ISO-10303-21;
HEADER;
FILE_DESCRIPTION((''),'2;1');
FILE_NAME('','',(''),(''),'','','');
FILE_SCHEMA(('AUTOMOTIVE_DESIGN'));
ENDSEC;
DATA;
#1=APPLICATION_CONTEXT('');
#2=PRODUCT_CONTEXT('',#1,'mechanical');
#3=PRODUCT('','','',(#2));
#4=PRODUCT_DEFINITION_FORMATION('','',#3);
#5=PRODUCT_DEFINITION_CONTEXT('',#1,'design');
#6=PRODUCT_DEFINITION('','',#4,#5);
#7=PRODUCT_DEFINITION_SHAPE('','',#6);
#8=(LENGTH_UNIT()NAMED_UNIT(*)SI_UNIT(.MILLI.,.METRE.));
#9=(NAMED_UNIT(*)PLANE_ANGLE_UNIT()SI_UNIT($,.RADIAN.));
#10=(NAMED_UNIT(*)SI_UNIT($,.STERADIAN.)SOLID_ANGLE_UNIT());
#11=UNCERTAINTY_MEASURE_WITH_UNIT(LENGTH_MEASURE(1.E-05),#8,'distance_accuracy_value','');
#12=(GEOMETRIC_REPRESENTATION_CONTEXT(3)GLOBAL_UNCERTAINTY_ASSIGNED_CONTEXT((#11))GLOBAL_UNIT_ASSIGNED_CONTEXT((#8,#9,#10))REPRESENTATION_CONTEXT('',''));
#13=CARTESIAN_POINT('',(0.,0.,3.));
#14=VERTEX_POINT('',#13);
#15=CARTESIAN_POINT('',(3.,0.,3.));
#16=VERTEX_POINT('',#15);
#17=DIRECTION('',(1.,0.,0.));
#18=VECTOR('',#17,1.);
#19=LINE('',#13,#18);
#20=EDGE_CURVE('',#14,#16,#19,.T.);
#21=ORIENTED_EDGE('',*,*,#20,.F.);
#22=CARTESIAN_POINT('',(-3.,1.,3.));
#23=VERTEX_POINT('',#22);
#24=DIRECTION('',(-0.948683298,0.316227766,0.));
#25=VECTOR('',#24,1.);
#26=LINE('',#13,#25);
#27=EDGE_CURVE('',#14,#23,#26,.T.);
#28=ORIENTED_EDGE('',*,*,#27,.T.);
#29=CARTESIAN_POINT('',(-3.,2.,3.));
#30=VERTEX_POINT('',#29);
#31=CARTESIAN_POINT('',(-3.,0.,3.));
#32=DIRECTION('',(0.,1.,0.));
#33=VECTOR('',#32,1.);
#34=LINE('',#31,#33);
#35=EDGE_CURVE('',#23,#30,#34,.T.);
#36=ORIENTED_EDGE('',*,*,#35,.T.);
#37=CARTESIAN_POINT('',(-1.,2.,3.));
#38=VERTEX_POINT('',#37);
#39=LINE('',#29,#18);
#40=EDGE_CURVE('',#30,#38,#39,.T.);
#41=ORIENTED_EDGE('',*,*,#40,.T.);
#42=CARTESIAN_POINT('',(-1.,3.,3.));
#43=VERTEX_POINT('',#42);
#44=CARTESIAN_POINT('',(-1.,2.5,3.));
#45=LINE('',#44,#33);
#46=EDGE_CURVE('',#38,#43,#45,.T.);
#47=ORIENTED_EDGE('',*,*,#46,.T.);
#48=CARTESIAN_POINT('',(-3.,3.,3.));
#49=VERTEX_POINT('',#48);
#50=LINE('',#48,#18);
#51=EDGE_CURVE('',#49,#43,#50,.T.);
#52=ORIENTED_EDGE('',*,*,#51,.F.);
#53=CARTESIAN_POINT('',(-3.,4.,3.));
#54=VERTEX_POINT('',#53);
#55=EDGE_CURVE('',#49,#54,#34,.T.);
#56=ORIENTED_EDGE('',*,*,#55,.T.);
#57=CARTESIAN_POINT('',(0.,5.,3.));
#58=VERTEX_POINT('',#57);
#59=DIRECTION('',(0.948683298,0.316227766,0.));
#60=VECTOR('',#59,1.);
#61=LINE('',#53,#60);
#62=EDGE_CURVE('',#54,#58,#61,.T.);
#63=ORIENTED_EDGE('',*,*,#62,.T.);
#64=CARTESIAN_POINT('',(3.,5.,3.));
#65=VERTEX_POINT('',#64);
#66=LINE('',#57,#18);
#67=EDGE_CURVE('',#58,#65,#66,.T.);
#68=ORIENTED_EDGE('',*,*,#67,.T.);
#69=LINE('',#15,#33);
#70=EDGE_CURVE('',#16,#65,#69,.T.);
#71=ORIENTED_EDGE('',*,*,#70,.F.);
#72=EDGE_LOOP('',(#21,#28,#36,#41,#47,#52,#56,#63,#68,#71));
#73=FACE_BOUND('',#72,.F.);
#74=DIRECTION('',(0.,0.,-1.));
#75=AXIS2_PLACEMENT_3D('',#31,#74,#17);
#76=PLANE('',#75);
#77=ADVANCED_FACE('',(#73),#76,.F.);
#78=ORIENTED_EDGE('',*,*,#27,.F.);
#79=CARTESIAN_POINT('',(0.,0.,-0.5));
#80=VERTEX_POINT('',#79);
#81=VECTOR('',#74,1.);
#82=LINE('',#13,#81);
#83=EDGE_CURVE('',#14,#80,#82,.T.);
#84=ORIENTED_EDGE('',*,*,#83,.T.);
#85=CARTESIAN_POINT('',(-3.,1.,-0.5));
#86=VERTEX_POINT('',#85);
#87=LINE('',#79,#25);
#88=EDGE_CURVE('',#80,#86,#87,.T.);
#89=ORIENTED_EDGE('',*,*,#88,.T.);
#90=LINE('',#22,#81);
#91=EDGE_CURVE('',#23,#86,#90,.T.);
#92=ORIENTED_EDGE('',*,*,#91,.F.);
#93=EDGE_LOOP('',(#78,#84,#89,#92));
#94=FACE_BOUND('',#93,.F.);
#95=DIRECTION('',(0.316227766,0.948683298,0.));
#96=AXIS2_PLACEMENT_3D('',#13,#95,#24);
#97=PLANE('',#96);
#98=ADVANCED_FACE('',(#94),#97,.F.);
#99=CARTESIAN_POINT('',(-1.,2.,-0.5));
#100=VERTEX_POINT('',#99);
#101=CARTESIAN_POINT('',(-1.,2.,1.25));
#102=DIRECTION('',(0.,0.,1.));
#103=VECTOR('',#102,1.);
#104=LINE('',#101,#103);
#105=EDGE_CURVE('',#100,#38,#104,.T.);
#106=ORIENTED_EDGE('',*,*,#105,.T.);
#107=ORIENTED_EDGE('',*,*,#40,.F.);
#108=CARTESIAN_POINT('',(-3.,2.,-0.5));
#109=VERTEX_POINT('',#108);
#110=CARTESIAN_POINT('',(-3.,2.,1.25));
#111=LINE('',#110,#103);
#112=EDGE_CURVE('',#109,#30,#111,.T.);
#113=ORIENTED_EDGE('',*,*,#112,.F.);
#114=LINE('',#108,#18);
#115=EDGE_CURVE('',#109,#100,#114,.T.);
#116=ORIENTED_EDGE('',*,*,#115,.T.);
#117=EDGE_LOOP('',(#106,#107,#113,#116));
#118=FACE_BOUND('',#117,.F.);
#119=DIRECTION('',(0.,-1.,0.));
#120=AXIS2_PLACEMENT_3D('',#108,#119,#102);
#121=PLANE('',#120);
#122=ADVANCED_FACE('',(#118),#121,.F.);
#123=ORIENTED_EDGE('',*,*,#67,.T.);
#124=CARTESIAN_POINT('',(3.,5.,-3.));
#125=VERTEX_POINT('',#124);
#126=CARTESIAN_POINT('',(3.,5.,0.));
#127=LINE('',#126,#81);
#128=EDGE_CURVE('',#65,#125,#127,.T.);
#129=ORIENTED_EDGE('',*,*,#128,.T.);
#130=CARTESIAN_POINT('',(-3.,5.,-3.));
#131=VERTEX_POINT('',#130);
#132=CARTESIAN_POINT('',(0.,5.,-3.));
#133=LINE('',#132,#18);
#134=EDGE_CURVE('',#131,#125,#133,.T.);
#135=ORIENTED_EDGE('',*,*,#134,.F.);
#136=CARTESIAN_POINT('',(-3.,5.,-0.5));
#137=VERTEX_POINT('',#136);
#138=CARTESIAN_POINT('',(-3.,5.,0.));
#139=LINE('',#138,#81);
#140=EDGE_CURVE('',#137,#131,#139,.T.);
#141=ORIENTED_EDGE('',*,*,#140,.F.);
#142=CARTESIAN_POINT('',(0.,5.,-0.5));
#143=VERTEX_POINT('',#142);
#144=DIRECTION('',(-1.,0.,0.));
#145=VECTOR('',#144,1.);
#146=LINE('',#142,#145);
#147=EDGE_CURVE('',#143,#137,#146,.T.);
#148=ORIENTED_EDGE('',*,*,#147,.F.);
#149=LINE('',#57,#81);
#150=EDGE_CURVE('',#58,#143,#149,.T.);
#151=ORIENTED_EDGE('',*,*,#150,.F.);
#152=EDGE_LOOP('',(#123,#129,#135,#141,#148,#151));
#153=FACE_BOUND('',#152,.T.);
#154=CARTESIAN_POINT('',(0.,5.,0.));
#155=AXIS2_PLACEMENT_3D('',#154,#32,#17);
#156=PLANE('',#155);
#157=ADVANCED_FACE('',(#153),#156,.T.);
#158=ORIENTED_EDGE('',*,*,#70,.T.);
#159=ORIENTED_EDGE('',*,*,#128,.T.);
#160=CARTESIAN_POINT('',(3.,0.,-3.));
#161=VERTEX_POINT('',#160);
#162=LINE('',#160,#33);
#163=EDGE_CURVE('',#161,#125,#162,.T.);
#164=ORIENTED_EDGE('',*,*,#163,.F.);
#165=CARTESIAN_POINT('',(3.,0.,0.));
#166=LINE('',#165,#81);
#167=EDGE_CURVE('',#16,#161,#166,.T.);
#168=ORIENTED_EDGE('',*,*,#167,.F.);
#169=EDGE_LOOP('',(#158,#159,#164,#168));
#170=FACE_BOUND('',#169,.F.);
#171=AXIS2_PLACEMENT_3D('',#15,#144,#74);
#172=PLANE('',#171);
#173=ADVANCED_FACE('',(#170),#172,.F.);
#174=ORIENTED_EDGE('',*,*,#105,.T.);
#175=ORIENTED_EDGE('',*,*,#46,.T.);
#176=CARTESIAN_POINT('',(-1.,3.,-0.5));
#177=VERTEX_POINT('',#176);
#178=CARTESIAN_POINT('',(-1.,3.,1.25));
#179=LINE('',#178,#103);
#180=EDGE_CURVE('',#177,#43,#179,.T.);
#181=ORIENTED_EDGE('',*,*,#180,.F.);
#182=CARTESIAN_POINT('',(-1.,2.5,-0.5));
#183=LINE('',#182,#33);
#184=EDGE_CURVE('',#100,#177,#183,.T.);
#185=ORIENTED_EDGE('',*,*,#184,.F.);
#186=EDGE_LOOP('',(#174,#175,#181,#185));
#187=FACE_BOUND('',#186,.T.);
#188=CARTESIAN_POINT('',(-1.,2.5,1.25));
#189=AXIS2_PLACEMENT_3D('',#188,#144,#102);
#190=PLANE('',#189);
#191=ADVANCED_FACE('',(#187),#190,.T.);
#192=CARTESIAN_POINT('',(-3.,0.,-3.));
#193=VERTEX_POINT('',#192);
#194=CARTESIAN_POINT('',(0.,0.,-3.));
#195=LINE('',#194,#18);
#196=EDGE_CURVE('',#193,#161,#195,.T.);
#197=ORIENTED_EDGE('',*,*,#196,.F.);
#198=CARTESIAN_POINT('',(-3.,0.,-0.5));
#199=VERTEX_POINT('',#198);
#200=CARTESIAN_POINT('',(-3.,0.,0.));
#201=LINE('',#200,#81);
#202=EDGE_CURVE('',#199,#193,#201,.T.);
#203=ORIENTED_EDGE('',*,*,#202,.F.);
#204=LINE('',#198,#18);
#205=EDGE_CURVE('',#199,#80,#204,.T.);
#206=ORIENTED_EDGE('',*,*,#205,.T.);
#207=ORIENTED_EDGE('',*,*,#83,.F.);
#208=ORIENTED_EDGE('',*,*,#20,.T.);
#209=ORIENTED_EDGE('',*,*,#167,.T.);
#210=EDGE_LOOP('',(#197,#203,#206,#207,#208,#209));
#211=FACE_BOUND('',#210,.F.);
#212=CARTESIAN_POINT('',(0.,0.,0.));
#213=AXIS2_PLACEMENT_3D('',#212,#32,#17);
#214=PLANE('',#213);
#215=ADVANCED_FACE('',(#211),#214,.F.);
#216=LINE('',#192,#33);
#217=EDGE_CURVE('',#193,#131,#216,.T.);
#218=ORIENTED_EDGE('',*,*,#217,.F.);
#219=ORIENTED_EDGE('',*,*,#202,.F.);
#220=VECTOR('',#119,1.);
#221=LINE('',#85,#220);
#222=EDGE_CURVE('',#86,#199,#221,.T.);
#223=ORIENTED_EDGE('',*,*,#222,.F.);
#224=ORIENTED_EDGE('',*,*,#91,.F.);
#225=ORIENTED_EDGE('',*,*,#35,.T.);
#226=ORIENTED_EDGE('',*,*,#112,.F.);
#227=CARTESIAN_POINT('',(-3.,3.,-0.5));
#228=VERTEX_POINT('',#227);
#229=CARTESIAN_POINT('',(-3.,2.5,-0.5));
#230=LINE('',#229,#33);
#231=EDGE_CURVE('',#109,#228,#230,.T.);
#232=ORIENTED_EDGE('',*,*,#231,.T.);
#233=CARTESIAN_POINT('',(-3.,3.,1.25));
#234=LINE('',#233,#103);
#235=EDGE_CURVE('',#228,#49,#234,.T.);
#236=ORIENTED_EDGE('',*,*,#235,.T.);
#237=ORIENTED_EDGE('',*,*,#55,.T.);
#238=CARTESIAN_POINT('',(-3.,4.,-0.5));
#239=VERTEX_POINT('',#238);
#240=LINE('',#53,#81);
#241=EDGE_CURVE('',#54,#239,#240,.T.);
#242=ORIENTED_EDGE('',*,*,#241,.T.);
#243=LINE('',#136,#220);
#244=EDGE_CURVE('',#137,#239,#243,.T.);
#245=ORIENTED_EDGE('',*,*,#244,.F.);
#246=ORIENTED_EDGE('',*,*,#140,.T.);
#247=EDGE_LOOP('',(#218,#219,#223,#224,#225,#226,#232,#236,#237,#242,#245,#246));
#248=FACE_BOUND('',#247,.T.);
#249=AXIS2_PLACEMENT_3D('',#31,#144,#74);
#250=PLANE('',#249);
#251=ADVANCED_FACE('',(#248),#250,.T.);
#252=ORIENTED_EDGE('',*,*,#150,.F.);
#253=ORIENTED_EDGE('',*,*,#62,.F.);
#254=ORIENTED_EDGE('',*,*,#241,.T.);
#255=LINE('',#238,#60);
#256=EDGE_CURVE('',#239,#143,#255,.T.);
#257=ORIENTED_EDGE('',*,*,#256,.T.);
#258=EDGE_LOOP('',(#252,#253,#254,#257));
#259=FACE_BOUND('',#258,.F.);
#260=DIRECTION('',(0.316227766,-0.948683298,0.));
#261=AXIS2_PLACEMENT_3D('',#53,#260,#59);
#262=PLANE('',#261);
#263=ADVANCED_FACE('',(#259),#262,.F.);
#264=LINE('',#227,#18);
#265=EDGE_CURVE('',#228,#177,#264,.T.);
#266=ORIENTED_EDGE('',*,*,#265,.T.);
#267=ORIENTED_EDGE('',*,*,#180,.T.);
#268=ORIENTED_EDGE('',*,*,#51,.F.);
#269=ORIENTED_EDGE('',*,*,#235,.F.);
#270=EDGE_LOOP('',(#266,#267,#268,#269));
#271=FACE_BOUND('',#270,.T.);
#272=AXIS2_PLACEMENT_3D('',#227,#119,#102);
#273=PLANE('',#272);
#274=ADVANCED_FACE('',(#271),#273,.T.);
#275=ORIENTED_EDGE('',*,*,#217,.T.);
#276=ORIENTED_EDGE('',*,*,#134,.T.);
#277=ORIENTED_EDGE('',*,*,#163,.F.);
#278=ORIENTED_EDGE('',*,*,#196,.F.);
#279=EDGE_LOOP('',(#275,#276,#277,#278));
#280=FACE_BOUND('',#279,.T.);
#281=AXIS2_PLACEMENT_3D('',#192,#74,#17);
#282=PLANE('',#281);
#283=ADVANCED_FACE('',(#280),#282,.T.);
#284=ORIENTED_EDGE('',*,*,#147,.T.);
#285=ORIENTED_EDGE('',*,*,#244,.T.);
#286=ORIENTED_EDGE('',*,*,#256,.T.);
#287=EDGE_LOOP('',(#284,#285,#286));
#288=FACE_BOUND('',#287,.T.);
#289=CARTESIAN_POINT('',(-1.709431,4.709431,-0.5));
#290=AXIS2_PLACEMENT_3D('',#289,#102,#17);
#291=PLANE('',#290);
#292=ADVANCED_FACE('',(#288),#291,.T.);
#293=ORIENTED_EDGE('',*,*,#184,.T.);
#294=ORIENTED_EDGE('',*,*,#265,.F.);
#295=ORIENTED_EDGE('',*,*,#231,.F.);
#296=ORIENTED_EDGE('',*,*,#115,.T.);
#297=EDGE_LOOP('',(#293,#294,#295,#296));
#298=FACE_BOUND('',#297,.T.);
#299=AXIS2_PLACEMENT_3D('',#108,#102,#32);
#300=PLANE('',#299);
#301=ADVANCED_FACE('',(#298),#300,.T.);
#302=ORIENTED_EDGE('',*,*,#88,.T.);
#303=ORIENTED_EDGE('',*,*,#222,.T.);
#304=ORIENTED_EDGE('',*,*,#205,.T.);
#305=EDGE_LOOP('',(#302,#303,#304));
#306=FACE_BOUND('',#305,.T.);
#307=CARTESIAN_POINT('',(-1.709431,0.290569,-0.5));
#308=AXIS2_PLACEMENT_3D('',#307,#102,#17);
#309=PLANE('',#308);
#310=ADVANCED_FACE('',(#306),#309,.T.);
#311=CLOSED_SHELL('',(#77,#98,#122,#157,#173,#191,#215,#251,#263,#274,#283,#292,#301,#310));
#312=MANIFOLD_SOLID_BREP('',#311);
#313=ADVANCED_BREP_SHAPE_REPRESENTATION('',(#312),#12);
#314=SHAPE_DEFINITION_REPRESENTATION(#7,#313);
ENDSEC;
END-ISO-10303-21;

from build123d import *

# Parameters (mm, degrees)
SKETCH1_W           = 6
SKETCH1_H           = 6
BOSS_EXTRUDE1_DEPTH = 5
SKETCH2_W           = 3.5
SKETCH2_H           = 1
CUT_EXTRUDE1_DEPTH  = 2
CUT_EXTRUDE2_DEPTH  = 3.5


with BuildPart() as part:
    # Sketch1 → Boss-Extrude1 (new body)
    with BuildSketch(Plane(origin=(0, 0, 0), x_dir=(1, 0, 0), z_dir=(0, 1, 0))):
        Rectangle(SKETCH1_W, SKETCH1_H)
    extrude(amount=BOSS_EXTRUDE1_DEPTH)

    # Sketch2 → Cut-Extrude1 (cut)
    with BuildSketch(Plane.ZY.offset(3)):
        with Locations((1.25, 2.5)):
            Rectangle(SKETCH2_W, SKETCH2_H)
    extrude(amount=-CUT_EXTRUDE1_DEPTH, mode=Mode.SUBTRACT)

    # Sketch3 → Cut-Extrude2 (cut)
    with BuildSketch(Plane.XY.offset(3)):
        Polygon((-3, 5), (-3, 4), (0, 5), align=None)
        Polygon((-3, 0), (0, 0), (-3, 1), align=None)
    extrude(amount=-CUT_EXTRUDE2_DEPTH, mode=Mode.SUBTRACT)


solid = part.part
